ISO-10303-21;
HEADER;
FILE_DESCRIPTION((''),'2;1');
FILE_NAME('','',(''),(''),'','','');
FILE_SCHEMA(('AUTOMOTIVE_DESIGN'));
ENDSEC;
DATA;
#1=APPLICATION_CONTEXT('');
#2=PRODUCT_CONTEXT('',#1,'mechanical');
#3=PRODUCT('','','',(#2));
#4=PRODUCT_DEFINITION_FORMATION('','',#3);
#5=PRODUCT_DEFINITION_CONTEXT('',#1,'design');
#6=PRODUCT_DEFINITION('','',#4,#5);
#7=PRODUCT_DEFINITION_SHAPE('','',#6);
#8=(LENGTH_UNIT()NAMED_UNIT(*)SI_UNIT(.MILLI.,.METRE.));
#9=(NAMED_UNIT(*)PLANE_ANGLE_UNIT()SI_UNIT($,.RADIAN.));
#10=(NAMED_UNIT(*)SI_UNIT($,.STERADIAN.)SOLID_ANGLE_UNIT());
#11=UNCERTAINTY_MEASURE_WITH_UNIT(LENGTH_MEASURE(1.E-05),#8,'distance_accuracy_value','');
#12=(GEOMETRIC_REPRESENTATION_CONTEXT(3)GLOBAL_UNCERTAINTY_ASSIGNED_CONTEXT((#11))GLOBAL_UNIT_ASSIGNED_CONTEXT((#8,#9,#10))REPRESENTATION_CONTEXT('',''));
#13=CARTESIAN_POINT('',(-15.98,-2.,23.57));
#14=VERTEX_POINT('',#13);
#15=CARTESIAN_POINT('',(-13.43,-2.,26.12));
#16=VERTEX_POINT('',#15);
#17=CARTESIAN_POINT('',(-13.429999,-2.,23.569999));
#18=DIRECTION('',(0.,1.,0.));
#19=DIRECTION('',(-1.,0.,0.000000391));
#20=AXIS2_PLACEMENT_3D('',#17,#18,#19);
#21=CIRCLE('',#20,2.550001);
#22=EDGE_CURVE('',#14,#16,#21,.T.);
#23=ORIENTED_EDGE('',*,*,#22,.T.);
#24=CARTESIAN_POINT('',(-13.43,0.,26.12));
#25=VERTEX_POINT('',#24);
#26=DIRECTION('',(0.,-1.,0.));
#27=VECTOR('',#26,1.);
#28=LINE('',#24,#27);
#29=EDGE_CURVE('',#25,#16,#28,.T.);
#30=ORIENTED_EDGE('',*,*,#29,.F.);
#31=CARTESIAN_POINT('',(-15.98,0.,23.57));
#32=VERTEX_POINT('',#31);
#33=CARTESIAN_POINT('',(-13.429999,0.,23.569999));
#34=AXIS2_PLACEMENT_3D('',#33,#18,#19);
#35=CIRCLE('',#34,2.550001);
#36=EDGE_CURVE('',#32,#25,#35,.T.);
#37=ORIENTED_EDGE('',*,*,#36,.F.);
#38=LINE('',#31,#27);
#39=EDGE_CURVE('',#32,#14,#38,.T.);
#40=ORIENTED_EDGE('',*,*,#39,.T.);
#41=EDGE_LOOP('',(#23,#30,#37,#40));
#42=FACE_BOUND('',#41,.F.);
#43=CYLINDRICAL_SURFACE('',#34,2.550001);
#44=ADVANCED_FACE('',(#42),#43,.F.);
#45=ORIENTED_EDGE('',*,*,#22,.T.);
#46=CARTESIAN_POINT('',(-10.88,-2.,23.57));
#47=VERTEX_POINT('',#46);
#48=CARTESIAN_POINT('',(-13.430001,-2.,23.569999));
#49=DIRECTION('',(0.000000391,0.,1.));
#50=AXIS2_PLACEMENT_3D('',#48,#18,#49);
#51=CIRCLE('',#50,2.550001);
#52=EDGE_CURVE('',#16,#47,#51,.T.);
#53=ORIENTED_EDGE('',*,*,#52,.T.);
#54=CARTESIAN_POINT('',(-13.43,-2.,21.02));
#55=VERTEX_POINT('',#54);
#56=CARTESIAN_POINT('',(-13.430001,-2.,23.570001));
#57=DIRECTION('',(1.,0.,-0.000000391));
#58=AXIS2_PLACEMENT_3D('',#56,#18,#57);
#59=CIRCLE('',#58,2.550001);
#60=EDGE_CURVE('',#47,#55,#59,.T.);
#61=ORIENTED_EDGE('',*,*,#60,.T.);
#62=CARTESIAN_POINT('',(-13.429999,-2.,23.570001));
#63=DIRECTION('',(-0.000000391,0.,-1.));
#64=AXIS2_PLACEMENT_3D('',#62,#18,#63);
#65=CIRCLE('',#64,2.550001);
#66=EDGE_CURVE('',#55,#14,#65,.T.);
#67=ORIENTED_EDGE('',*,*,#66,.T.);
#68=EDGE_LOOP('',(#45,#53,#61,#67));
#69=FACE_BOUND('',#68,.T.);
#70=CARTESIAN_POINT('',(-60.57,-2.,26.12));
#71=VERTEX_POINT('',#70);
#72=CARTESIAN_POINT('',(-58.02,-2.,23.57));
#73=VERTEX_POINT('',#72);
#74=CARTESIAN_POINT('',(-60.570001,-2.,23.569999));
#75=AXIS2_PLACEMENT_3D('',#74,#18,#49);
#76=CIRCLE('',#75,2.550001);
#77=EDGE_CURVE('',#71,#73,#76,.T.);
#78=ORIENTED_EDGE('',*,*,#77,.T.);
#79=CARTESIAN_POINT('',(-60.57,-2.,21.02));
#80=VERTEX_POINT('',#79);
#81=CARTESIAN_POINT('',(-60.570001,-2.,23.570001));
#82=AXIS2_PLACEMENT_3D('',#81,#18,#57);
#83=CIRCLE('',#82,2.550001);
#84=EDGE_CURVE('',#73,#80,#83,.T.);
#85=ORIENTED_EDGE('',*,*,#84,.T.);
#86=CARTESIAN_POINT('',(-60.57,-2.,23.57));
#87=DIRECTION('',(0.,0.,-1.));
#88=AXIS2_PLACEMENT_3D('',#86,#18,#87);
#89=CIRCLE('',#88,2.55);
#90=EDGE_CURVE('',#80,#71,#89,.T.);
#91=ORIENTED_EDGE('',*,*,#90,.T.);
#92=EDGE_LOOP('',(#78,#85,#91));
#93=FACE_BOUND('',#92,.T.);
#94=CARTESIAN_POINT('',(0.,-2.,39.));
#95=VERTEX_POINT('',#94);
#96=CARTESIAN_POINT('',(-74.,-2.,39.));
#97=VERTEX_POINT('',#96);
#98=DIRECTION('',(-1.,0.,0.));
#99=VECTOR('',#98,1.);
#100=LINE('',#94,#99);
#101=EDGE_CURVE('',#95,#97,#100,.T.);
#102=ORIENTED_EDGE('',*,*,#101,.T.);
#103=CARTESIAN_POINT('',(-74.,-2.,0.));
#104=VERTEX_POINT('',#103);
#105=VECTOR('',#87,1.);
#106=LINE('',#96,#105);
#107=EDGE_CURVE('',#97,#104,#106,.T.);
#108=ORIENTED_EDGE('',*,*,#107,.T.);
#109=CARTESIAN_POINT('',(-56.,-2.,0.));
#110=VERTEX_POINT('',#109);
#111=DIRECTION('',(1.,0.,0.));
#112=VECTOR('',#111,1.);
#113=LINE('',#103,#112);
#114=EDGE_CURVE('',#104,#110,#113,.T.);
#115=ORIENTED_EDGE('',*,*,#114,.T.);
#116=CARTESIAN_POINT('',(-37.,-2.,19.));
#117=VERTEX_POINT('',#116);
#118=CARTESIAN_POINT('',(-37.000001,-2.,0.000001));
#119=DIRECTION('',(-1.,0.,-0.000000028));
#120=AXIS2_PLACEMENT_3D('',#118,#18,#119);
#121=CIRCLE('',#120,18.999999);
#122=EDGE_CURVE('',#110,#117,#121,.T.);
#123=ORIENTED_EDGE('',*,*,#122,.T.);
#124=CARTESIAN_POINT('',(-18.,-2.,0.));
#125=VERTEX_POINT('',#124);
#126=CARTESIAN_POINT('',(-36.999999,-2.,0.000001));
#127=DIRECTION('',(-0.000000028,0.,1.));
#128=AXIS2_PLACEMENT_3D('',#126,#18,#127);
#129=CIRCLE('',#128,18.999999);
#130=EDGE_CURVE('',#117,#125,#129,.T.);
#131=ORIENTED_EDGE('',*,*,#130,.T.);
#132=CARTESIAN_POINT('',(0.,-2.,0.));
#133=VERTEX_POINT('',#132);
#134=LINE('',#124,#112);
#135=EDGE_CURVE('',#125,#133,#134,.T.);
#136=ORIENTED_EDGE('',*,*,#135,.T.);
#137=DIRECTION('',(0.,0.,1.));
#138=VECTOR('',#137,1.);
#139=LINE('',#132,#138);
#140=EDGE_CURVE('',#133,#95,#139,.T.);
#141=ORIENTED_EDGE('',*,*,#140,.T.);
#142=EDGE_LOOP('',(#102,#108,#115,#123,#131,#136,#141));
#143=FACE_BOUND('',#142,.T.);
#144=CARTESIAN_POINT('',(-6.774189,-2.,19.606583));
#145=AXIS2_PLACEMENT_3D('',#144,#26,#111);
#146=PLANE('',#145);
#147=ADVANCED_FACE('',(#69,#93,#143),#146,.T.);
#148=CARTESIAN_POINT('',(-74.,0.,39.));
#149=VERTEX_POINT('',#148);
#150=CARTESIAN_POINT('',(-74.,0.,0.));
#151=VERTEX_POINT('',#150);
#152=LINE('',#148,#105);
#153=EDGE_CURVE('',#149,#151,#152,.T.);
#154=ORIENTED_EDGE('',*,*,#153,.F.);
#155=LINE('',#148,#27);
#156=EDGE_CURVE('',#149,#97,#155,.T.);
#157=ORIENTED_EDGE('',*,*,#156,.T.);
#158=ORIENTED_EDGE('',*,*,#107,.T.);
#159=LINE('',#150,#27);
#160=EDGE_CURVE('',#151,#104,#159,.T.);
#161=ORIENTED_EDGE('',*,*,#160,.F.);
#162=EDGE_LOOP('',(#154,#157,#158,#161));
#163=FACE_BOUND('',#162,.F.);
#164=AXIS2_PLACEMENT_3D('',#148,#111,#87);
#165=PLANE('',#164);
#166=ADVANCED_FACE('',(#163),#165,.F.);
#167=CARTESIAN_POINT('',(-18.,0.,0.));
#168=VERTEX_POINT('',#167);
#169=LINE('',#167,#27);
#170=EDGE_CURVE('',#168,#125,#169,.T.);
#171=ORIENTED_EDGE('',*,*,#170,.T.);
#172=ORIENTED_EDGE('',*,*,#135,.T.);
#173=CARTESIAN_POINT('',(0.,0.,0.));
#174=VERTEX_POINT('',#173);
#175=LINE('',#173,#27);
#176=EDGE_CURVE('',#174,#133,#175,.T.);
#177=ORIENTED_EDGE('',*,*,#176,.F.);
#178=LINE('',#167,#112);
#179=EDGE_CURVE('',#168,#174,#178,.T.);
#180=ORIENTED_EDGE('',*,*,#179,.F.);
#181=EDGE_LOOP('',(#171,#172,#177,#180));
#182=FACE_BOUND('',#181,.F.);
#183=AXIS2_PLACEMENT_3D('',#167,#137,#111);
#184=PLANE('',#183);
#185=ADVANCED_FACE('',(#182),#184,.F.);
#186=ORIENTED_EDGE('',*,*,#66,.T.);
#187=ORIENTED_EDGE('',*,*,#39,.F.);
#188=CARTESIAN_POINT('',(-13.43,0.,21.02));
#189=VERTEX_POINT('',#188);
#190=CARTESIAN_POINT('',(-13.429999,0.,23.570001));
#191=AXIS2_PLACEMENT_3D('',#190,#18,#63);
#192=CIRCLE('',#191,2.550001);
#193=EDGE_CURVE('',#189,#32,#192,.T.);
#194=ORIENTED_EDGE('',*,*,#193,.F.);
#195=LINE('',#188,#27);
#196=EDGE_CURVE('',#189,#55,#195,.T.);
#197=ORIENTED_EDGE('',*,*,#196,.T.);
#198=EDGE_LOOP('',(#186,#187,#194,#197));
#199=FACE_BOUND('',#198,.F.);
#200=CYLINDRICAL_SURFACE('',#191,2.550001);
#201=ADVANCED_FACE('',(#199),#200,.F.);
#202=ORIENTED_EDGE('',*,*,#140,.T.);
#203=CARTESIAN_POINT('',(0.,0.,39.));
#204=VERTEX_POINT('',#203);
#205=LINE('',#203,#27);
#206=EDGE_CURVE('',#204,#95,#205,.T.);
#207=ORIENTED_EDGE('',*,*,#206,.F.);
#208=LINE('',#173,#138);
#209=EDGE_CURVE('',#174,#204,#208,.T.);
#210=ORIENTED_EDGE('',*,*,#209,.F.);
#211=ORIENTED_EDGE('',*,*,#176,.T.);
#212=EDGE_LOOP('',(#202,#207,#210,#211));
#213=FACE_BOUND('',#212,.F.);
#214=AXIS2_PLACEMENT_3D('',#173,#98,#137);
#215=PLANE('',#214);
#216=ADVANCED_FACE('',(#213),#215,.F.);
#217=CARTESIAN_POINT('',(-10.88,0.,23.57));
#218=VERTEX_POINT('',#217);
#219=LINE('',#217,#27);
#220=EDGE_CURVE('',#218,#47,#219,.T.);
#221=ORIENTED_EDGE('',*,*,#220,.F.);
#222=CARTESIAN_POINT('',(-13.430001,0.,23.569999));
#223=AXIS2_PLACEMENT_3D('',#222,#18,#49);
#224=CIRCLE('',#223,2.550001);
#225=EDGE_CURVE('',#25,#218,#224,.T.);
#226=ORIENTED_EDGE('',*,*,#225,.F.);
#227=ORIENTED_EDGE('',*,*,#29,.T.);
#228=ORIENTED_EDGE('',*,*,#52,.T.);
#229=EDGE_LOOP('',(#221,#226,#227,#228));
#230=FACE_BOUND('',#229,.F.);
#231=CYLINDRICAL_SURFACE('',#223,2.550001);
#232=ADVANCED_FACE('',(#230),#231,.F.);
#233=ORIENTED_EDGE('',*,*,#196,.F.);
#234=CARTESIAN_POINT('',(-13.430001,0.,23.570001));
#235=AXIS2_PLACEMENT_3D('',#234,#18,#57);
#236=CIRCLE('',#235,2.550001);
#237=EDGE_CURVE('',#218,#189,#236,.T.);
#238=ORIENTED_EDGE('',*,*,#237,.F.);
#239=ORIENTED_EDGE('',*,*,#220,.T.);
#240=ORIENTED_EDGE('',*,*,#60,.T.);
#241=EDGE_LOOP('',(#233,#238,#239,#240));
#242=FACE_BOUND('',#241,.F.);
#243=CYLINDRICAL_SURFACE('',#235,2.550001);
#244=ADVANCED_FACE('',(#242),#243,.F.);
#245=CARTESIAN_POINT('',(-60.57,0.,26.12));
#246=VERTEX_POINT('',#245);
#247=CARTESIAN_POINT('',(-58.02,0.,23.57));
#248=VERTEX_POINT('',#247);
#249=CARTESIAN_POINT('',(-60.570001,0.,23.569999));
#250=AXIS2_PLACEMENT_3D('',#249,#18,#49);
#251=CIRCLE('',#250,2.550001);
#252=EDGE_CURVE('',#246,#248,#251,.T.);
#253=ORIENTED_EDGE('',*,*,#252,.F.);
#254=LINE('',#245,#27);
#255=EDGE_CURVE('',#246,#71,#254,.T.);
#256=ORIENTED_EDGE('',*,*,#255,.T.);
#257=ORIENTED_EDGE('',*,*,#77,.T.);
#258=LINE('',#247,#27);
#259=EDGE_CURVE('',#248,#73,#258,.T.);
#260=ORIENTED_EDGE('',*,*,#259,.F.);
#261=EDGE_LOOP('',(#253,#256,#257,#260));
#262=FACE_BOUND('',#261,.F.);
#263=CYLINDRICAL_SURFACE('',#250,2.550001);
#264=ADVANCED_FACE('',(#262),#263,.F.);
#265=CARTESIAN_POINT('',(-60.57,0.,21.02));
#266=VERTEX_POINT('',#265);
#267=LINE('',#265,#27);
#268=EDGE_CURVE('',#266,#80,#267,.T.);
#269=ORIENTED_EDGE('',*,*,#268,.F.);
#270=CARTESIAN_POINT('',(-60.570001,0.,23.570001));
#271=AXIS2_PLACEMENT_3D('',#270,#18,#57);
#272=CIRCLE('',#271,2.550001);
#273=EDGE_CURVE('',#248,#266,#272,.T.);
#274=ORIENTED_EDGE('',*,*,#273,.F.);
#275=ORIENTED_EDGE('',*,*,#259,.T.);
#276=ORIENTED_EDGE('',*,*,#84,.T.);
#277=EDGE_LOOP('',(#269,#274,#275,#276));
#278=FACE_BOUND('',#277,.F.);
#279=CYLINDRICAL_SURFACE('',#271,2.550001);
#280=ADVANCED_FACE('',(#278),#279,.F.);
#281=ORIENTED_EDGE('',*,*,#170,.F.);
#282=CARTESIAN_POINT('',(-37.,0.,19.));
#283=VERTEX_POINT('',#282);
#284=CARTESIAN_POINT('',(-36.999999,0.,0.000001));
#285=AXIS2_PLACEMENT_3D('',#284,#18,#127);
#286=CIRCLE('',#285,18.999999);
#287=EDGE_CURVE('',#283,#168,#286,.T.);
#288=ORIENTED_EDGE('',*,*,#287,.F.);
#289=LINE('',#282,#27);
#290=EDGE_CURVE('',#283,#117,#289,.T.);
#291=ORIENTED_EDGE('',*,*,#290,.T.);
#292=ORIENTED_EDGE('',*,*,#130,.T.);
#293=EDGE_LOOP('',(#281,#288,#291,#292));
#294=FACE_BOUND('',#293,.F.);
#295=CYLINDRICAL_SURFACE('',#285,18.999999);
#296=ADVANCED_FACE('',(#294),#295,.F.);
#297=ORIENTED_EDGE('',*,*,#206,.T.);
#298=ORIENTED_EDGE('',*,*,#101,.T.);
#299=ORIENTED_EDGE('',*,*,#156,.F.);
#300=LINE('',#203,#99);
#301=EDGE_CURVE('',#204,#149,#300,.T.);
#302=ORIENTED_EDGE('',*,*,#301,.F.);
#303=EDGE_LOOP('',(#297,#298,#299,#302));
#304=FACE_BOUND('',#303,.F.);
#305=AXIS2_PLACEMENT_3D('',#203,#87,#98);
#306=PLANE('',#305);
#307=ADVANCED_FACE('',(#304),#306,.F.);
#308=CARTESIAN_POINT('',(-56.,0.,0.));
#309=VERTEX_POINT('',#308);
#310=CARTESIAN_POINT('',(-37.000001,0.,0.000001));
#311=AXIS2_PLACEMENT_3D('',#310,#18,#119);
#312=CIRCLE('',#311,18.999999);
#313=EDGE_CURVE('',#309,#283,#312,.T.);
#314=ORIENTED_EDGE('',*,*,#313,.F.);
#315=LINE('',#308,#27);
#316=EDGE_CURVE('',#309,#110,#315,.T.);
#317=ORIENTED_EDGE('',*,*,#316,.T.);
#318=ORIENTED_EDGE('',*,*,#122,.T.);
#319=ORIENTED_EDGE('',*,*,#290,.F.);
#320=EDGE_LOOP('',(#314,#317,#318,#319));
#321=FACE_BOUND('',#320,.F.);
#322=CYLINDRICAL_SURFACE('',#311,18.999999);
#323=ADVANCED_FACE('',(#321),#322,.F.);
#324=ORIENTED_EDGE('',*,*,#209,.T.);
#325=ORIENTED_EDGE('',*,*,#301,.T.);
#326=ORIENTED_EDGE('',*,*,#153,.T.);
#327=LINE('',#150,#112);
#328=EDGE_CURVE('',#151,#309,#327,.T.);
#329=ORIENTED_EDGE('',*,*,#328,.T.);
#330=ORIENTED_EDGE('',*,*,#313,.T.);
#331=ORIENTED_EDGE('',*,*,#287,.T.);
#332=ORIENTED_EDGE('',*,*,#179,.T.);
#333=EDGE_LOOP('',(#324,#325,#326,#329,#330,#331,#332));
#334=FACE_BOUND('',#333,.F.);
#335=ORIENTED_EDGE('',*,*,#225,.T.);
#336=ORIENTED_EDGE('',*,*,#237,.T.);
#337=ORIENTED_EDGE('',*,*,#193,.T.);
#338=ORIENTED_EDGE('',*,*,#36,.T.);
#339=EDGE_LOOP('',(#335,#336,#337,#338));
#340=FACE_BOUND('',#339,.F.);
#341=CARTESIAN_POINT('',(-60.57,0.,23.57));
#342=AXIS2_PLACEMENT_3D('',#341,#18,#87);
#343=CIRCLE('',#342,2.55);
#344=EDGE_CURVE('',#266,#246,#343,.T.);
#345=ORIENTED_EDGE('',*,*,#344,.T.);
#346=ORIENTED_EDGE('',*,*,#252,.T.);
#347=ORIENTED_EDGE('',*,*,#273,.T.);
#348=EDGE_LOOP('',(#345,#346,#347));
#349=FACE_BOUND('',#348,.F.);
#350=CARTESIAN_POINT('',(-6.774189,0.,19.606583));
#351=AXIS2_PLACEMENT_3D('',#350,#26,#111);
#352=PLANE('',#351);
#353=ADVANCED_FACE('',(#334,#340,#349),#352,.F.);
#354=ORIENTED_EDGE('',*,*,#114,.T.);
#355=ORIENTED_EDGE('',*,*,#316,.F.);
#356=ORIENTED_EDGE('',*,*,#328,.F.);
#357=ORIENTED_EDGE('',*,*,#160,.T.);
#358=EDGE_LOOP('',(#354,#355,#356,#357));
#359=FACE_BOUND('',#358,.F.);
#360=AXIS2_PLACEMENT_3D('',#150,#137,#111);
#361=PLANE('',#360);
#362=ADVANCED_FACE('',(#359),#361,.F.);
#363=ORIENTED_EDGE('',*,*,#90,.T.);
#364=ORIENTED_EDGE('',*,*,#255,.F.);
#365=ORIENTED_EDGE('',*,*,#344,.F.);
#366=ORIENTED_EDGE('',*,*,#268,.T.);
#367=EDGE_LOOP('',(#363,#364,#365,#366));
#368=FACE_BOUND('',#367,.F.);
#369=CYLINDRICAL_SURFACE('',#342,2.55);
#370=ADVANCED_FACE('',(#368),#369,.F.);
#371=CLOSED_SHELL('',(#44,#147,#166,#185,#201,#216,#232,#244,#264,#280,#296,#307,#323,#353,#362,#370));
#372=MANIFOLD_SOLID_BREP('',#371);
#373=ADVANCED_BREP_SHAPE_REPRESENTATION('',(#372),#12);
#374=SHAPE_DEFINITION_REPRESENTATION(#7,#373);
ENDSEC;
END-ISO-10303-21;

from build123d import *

# Parameters (mm, degrees)
F1_DEPTH = 2


with BuildPart() as f1:
    # F0 (on Front) → F1 (new body)
    with BuildSketch(Plane.XZ):
        with BuildLine():
            Line((-13.43, 0), (0, 0))
            Line((0, 0), (0, 39))
            Line((0, 39), (-13.43, 39))
            Line((-13.43, 39), (-13.43, 26.12))
            ThreePointArc((-13.43, 26.12), (-11.626878, 25.373122), (-10.88, 23.57))
            ThreePointArc((-10.88, 23.57), (-11.626878, 21.766878), (-13.43, 21.02))
            Line((-13.43, 21.02), (-13.43, 0))
        make_face()
        with BuildLine():
            Line((-18, 0), (-13.43, 0))
            Line((-13.43, 0), (-13.43, 21.02))
            ThreePointArc((-13.43, 21.02), (-15.233122, 21.766878), (-15.98, 23.57))
            Line((-15.98, 23.57), (-58.02, 23.57))
            ThreePointArc((-58.02, 23.57), (-58.766878, 21.766878), (-60.57, 21.02))
            Line((-60.57, 21.02), (-60.57, 0))
            Line((-60.57, 0), (-56, 0))
            ThreePointArc((-56, 0), (-50.435029, 13.435029), (-37, 19))
            ThreePointArc((-37, 19), (-23.564971, 13.435029), (-18, 0))
        make_face()
        with BuildLine():
            Line((-13.43, 26.12), (-13.43, 39))
            Line((-13.43, 39), (-60.57, 39))
            Line((-60.57, 39), (-60.57, 26.12))
            ThreePointArc((-60.57, 26.12), (-58.766878, 25.373122), (-58.02, 23.57))
            Line((-58.02, 23.57), (-15.98, 23.57))
            ThreePointArc((-15.98, 23.57), (-15.233122, 25.373122), (-13.43, 26.12))
        make_face()
        with BuildLine():
            Line((-60.57, 26.12), (-60.57, 39))
            Line((-60.57, 39), (-74, 39))
            Line((-74, 39), (-74, 0))
            Line((-74, 0), (-60.57, 0))
            Line((-60.57, 0), (-60.57, 21.02))
            ThreePointArc((-60.57, 21.02), (-63.12, 23.57), (-60.57, 26.12))
        make_face()
    extrude(amount=F1_DEPTH)


solid = f1.part
